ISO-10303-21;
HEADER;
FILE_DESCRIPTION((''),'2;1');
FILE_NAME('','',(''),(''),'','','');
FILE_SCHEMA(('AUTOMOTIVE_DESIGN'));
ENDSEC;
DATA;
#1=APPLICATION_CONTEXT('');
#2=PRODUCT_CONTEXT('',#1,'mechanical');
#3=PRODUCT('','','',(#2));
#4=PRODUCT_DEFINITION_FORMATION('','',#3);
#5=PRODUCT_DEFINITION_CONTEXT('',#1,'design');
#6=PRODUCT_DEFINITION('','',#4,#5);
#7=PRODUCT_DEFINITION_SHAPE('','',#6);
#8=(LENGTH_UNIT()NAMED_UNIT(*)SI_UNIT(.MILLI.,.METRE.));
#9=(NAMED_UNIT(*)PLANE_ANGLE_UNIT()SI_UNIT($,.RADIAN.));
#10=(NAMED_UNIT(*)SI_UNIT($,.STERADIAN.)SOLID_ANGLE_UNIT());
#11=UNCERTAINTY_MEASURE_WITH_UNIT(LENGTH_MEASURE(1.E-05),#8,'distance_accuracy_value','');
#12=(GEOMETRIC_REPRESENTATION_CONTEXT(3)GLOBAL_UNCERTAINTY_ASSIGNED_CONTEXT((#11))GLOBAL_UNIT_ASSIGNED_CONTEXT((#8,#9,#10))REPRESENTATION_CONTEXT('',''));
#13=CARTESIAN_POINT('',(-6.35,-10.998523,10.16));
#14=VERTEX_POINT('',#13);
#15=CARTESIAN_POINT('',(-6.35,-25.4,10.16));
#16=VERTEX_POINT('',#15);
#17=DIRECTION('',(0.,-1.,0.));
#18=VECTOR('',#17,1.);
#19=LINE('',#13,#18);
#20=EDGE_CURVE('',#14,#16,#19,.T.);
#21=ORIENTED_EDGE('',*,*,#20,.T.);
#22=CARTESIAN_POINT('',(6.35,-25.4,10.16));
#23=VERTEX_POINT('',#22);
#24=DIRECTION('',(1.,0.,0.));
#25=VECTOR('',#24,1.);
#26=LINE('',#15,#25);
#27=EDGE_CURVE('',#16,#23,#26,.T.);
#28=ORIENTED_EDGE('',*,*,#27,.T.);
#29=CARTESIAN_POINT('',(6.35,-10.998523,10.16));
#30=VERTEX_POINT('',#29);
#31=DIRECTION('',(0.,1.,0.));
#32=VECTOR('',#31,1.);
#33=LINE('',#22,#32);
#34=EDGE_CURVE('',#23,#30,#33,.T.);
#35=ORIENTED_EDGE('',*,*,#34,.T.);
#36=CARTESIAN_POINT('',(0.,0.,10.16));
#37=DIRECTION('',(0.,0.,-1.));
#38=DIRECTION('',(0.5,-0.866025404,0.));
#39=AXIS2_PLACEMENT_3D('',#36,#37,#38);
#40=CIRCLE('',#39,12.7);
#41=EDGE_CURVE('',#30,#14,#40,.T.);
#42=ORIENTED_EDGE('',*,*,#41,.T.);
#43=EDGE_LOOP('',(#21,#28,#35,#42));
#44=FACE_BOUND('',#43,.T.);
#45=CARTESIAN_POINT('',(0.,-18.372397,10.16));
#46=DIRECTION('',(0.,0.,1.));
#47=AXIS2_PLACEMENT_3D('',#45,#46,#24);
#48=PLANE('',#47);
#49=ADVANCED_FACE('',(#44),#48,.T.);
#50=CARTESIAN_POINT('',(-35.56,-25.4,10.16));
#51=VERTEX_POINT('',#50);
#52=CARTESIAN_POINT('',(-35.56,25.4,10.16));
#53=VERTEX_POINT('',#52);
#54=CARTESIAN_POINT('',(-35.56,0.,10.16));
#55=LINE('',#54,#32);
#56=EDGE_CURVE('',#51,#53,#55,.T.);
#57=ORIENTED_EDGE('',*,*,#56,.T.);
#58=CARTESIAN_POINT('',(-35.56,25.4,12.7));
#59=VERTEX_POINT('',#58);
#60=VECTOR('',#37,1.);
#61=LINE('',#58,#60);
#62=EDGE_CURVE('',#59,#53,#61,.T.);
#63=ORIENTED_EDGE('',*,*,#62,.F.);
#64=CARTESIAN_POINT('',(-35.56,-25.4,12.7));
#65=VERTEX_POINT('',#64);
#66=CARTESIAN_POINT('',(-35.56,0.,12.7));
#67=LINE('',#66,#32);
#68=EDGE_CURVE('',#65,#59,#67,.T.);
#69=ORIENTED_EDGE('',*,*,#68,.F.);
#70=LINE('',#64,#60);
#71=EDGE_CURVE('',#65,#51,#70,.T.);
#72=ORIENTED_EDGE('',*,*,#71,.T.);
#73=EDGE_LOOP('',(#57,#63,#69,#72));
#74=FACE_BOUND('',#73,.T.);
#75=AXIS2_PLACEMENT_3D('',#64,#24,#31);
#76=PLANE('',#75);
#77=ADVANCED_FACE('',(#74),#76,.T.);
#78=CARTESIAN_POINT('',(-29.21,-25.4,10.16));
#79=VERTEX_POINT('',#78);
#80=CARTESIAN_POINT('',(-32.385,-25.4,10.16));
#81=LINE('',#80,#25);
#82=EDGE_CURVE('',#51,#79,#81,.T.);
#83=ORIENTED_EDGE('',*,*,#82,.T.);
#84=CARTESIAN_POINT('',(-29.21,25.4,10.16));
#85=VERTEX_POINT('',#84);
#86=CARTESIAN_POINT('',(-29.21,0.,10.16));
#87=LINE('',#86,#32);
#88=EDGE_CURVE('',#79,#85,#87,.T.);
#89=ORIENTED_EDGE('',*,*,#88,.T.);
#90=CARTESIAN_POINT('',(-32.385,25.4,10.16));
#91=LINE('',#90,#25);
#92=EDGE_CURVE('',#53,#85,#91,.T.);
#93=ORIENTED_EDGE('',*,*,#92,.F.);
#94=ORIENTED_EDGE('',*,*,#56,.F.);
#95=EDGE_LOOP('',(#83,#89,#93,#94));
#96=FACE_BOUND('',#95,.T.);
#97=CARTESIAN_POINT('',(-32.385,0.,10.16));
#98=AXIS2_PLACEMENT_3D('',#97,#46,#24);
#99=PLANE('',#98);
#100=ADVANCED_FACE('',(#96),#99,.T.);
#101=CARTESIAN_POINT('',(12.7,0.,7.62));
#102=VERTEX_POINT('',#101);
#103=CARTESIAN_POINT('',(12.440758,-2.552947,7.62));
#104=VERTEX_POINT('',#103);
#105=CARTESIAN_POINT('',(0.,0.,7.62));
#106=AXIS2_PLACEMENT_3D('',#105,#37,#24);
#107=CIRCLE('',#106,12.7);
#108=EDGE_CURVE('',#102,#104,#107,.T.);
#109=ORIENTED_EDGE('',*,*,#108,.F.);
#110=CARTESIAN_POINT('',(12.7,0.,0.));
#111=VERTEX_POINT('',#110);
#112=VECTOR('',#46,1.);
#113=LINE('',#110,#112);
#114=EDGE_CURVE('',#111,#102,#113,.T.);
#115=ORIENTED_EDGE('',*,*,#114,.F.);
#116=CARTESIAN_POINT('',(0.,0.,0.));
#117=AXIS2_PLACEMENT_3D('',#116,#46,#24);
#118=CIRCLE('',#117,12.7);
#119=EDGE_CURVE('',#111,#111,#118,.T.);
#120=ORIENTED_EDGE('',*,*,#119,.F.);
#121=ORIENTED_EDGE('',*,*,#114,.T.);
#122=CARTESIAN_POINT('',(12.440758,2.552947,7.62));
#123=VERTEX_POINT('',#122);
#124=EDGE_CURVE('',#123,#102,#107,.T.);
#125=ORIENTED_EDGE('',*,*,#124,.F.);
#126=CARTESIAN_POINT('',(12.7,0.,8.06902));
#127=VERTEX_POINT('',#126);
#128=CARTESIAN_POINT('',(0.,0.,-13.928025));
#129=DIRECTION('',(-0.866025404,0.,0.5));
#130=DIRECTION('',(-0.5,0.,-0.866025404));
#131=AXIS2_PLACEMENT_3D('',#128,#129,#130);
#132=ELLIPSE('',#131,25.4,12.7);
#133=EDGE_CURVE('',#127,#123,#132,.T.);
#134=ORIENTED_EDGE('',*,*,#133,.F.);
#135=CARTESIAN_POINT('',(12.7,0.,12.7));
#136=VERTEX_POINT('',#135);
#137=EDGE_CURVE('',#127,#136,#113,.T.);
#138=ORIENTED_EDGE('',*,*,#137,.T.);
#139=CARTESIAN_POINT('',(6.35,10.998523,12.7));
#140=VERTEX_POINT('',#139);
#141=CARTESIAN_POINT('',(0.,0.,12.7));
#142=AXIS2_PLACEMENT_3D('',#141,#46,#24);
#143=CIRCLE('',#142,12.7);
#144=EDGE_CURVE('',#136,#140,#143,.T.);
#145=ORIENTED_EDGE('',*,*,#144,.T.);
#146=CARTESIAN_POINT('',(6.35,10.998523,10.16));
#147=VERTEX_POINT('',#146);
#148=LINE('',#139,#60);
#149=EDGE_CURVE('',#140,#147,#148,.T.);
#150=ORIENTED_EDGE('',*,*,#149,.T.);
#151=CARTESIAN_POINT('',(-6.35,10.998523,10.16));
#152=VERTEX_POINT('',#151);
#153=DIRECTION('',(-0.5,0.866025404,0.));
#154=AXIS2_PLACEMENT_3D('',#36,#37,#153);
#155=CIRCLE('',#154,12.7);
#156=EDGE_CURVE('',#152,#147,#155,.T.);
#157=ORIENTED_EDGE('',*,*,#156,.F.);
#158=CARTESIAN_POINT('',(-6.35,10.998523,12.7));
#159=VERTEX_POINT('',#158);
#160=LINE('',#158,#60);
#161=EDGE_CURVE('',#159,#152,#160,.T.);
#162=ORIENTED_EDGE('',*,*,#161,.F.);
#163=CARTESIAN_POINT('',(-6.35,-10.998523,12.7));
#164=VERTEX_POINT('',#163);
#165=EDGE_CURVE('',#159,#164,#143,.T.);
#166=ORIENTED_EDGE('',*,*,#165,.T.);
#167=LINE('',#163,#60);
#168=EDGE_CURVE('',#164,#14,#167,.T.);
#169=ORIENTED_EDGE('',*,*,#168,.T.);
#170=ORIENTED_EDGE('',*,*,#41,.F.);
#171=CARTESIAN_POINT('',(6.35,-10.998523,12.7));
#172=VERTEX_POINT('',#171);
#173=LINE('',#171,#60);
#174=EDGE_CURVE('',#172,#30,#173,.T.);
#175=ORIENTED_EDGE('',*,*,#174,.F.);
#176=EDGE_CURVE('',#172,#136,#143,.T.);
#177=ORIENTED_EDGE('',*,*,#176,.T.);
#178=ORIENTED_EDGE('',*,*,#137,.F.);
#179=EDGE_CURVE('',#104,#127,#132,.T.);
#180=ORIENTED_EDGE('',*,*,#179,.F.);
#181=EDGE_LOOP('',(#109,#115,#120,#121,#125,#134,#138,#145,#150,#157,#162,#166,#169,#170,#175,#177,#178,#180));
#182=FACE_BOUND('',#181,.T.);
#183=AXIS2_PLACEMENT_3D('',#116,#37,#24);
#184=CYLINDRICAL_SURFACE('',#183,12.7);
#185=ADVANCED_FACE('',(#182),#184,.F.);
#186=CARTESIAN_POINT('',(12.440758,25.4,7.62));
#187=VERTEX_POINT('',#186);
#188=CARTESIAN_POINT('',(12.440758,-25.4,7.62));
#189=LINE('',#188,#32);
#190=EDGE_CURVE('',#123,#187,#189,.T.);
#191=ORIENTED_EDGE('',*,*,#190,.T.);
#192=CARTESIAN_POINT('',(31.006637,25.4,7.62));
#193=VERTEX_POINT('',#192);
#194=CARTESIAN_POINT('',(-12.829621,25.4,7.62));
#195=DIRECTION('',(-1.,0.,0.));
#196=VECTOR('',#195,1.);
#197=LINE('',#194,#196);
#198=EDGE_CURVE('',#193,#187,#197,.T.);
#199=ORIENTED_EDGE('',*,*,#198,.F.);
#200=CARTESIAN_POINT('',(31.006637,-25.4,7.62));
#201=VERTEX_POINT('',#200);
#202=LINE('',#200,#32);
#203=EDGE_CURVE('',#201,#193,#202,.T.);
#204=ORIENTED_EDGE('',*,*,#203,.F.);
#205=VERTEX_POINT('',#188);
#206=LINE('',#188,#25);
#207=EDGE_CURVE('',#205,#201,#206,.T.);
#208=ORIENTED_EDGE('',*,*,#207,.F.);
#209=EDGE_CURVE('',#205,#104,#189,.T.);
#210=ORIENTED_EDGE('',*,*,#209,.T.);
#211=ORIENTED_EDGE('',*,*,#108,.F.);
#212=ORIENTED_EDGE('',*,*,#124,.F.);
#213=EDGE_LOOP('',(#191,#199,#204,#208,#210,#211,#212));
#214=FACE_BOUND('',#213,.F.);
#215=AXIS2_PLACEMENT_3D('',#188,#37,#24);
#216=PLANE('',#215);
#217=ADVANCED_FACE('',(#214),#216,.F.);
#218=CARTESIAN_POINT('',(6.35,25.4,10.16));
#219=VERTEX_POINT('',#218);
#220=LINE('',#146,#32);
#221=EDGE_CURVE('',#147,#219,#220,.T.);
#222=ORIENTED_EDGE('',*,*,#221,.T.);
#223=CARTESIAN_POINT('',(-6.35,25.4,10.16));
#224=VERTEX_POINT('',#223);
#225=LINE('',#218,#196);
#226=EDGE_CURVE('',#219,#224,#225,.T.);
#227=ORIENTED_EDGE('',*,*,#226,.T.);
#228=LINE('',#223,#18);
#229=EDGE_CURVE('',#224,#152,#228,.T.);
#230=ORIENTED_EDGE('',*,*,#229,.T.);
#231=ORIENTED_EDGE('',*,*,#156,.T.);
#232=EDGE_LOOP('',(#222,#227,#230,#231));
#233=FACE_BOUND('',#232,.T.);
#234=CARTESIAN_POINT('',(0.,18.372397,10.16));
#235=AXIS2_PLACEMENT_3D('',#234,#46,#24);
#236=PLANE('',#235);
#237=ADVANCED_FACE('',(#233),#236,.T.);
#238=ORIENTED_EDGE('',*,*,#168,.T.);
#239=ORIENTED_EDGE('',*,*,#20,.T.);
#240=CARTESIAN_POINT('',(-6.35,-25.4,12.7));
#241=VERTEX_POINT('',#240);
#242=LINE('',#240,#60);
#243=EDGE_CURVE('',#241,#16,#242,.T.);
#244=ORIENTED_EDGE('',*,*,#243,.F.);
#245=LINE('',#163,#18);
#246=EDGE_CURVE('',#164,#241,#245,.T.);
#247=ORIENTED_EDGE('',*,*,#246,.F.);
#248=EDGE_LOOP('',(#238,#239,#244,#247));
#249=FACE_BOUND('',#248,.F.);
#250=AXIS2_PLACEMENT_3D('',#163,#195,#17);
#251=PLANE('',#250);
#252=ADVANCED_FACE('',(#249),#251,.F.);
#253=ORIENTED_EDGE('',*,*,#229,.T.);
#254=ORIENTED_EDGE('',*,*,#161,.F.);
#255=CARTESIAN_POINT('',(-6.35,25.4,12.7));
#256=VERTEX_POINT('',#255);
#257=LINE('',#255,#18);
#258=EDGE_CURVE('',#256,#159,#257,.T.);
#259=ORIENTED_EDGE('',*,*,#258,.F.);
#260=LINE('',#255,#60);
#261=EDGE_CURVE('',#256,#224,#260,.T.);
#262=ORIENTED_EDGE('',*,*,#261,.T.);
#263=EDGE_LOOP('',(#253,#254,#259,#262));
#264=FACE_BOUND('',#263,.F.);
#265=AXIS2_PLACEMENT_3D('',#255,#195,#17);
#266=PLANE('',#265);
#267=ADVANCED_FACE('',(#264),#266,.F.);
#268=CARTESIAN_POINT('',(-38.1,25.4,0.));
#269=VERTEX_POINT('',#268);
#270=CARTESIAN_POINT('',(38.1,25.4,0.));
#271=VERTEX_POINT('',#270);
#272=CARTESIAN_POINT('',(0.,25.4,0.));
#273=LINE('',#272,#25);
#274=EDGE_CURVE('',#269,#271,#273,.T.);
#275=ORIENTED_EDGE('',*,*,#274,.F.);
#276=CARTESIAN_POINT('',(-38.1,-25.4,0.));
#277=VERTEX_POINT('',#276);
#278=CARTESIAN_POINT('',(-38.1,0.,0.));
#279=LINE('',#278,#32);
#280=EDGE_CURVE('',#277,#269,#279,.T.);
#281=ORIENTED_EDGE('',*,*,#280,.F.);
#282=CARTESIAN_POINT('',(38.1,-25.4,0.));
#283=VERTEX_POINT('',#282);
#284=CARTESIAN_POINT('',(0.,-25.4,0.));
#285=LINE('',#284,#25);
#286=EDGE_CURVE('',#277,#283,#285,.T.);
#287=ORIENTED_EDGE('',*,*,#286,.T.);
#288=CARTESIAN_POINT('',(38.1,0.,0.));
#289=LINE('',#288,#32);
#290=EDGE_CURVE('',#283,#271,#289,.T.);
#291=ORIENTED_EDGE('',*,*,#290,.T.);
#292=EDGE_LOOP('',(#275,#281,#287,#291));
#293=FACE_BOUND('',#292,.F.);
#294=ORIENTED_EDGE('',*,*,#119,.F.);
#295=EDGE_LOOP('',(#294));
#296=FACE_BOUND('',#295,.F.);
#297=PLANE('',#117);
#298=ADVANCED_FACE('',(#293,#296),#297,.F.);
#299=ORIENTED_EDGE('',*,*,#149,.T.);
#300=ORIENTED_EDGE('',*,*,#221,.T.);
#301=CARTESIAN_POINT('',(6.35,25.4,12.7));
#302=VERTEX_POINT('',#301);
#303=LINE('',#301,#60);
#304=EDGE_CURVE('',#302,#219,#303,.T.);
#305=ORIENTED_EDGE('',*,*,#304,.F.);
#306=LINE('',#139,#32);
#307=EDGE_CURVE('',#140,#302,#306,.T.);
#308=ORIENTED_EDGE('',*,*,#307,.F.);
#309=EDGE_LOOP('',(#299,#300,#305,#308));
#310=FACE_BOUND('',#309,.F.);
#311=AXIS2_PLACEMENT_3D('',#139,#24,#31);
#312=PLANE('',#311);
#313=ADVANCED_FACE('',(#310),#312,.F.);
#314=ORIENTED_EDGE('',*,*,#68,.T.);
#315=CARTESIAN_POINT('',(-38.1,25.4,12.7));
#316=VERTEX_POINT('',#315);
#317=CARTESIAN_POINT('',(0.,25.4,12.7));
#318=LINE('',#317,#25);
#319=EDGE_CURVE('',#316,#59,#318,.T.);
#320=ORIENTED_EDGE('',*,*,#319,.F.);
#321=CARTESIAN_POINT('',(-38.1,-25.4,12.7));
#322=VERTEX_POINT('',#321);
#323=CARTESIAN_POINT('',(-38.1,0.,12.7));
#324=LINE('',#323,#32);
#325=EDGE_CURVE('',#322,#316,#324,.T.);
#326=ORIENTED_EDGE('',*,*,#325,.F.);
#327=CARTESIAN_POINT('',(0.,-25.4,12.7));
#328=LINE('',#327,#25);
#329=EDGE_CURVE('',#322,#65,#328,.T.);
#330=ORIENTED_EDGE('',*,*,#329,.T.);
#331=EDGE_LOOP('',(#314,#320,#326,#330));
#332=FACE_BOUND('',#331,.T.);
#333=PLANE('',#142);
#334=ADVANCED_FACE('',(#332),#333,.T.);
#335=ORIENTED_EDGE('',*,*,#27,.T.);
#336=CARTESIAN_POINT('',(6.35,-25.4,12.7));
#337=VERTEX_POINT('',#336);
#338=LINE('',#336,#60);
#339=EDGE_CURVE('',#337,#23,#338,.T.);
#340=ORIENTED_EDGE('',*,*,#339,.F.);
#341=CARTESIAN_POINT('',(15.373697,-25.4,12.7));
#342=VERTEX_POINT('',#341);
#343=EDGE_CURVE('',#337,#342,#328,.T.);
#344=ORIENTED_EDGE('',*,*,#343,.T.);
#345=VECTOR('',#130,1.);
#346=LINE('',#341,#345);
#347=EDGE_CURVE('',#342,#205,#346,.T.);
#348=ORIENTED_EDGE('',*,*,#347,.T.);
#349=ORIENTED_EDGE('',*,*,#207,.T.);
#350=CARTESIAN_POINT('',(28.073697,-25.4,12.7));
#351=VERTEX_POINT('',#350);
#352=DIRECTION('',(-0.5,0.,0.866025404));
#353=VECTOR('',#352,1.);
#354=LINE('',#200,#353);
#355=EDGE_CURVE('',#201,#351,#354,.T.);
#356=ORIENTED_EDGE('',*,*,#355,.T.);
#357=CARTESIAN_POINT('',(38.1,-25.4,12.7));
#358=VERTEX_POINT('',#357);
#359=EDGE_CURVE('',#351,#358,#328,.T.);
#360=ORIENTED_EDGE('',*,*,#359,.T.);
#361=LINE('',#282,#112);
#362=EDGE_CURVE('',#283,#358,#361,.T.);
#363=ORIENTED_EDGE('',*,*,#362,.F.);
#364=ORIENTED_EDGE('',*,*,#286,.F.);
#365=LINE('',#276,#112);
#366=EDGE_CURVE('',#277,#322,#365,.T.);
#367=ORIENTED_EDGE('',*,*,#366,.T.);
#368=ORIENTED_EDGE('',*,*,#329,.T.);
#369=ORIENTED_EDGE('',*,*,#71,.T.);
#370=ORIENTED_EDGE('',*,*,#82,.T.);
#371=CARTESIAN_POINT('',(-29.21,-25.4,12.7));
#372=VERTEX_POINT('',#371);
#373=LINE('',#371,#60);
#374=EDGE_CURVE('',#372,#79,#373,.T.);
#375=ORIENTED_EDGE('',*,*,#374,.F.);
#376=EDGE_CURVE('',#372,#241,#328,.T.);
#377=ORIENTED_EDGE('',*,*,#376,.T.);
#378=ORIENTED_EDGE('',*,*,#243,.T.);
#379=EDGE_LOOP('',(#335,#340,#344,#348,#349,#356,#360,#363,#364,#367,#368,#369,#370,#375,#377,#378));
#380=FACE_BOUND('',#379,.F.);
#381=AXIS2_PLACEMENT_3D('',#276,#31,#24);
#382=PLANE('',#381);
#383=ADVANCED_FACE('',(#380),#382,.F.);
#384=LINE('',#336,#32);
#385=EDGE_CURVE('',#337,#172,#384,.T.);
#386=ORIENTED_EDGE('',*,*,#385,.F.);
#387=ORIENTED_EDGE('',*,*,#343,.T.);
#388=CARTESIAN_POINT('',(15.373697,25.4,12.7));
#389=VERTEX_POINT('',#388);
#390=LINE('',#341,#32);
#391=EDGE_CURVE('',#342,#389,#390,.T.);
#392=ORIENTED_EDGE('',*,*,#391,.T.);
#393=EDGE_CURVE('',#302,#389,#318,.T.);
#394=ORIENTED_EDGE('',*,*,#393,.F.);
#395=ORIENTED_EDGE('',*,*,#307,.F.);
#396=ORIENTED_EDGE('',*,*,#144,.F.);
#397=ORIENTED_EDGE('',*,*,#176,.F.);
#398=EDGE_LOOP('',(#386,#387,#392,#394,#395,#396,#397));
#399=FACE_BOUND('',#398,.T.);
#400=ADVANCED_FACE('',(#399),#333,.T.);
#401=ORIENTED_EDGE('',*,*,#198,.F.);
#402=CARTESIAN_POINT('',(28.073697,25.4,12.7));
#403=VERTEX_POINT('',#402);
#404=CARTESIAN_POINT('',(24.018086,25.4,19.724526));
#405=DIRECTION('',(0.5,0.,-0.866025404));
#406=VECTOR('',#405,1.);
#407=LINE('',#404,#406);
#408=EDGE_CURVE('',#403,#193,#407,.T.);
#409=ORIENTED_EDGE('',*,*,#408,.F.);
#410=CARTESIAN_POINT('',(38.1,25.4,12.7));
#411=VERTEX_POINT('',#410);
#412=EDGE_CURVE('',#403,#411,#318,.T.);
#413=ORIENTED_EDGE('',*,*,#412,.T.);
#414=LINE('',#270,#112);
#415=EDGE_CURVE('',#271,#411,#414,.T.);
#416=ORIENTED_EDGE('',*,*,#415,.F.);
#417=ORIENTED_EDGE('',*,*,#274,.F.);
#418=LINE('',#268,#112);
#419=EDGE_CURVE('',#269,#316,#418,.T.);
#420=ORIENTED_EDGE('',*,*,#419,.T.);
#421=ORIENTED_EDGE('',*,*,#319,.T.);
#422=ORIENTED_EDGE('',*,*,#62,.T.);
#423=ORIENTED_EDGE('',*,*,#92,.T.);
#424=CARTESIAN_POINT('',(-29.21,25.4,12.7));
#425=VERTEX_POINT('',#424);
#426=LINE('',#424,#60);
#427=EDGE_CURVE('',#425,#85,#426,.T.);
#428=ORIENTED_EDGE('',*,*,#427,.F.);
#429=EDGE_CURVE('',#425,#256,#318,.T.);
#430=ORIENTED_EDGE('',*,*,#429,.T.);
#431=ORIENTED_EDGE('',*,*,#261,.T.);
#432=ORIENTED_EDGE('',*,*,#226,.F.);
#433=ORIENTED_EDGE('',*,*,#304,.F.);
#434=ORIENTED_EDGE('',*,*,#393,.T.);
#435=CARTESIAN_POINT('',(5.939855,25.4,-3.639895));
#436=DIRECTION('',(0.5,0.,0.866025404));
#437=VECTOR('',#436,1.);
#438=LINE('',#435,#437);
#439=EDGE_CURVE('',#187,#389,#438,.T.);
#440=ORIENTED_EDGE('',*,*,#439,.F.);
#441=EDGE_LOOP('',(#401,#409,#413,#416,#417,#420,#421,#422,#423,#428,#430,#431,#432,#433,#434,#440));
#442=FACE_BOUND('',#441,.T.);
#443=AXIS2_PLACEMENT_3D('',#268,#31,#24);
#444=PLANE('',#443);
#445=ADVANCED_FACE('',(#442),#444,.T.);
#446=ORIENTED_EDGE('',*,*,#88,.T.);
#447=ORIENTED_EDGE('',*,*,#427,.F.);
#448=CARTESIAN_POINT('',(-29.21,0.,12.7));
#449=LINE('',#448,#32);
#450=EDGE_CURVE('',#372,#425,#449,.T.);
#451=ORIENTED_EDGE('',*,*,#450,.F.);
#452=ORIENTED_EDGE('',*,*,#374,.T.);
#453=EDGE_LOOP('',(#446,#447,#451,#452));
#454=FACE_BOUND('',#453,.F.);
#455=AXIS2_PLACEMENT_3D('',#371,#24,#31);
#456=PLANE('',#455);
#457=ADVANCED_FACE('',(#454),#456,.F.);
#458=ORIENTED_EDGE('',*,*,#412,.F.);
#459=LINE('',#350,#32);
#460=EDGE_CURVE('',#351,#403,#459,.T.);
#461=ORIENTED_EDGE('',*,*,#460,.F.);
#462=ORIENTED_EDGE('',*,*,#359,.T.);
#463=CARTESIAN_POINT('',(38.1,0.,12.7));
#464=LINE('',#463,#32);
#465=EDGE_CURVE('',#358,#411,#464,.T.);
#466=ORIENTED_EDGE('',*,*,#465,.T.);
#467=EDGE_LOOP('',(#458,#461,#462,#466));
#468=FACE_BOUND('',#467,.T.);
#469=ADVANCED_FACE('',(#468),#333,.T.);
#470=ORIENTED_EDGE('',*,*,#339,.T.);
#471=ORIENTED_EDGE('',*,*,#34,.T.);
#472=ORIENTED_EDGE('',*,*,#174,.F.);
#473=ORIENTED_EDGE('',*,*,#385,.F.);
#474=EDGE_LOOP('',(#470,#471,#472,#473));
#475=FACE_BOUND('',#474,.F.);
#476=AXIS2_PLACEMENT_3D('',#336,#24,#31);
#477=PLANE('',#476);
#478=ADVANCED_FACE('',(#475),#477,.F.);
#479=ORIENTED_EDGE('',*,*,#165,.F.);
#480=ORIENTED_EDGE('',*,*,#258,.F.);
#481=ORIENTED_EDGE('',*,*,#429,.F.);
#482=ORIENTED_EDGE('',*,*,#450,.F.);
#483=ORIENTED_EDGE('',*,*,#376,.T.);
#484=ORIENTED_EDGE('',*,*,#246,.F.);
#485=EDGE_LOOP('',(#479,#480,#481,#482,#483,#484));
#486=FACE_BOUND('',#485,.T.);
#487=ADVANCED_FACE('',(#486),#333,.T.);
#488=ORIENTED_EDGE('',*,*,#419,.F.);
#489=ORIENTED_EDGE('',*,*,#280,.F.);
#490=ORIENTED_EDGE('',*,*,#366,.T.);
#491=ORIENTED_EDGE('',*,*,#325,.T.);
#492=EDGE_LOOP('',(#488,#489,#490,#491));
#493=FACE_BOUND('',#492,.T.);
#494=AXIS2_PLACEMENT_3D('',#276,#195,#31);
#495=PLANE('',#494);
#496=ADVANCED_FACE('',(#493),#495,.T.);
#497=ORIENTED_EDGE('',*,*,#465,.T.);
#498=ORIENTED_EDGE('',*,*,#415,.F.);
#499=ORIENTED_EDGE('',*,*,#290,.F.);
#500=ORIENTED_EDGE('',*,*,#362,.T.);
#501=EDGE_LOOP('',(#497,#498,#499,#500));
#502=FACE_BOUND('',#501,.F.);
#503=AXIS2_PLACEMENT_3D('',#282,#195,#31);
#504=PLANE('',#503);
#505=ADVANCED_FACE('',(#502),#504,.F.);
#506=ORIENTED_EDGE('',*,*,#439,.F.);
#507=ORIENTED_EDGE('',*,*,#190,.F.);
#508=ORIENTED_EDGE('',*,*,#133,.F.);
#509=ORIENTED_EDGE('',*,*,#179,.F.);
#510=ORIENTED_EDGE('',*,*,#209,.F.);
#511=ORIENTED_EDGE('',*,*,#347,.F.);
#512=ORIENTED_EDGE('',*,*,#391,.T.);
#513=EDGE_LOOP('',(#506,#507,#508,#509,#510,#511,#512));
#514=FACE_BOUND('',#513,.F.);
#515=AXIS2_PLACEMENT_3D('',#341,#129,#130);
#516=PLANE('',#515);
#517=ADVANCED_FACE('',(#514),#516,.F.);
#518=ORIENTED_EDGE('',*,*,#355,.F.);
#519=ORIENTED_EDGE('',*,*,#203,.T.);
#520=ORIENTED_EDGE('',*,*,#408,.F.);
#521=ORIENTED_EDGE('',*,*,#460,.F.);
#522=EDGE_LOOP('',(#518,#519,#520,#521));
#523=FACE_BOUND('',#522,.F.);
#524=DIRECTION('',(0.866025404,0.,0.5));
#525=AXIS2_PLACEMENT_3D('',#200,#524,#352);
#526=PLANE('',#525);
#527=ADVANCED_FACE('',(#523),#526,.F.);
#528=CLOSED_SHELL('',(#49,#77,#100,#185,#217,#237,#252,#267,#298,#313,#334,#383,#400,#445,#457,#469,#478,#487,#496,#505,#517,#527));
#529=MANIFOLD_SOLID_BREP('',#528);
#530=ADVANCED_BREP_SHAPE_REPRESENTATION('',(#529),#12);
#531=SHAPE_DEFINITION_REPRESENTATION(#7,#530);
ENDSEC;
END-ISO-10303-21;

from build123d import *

# Parameters (mm, degrees)
F0_W     = 76.2
F0_H     = 50.8
F0_R     = 12.7
F1_DEPTH = 12.7
F2_W     = 6.35
F2_H     = 50.8
F3_DEPTH = 2.54
F5_DEPTH = 50.801


with BuildPart() as f1:
    # F0 (on Top) → F1 (new body)
    with BuildSketch(Plane.XY):
        Rectangle(F0_W, F0_H)
        Circle(F0_R, mode=Mode.SUBTRACT)
    extrude(amount=F1_DEPTH)

    # F2 (on face) → F3 (cut)
    with BuildSketch(Plane.XY.offset(12.7)):
        with Locations((-32.385, 0)):
            Rectangle(F2_W, F2_H)
        with BuildLine():
            Line((-6.35, -10.9985226281), (-6.35, -25.4))
            Line((-6.35, -25.4), (6.35, -25.4))
            Line((6.35, -25.4), (6.35, -10.9985226281))
            ThreePointArc((6.35, -10.9985226281), (0, -12.7), (-6.35, -10.9985226281))
        make_face()
        with BuildLine():
            Line((6.35, 25.4), (-6.35, 25.4))
            Line((-6.35, 25.4), (-6.35, 10.9985226281))
            ThreePointArc((-6.35, 10.9985226281), (0, 12.7), (6.35, 10.9985226281))
            Line((6.35, 10.9985226281), (6.35, 25.4))
        make_face()
    extrude(amount=-F3_DEPTH, mode=Mode.SUBTRACT)

    # F4 (on face) → F5 (cut, through all)
    with BuildSketch(Plane.XZ.offset(25.4)):
        Polygon((28.0736974643, 12.7), (15.3736974643, 12.7), (12.4407580968, 7.62), (31.0066368318, 7.62), align=None)
    extrude(amount=-F5_DEPTH, mode=Mode.SUBTRACT)


solid = f1.part
